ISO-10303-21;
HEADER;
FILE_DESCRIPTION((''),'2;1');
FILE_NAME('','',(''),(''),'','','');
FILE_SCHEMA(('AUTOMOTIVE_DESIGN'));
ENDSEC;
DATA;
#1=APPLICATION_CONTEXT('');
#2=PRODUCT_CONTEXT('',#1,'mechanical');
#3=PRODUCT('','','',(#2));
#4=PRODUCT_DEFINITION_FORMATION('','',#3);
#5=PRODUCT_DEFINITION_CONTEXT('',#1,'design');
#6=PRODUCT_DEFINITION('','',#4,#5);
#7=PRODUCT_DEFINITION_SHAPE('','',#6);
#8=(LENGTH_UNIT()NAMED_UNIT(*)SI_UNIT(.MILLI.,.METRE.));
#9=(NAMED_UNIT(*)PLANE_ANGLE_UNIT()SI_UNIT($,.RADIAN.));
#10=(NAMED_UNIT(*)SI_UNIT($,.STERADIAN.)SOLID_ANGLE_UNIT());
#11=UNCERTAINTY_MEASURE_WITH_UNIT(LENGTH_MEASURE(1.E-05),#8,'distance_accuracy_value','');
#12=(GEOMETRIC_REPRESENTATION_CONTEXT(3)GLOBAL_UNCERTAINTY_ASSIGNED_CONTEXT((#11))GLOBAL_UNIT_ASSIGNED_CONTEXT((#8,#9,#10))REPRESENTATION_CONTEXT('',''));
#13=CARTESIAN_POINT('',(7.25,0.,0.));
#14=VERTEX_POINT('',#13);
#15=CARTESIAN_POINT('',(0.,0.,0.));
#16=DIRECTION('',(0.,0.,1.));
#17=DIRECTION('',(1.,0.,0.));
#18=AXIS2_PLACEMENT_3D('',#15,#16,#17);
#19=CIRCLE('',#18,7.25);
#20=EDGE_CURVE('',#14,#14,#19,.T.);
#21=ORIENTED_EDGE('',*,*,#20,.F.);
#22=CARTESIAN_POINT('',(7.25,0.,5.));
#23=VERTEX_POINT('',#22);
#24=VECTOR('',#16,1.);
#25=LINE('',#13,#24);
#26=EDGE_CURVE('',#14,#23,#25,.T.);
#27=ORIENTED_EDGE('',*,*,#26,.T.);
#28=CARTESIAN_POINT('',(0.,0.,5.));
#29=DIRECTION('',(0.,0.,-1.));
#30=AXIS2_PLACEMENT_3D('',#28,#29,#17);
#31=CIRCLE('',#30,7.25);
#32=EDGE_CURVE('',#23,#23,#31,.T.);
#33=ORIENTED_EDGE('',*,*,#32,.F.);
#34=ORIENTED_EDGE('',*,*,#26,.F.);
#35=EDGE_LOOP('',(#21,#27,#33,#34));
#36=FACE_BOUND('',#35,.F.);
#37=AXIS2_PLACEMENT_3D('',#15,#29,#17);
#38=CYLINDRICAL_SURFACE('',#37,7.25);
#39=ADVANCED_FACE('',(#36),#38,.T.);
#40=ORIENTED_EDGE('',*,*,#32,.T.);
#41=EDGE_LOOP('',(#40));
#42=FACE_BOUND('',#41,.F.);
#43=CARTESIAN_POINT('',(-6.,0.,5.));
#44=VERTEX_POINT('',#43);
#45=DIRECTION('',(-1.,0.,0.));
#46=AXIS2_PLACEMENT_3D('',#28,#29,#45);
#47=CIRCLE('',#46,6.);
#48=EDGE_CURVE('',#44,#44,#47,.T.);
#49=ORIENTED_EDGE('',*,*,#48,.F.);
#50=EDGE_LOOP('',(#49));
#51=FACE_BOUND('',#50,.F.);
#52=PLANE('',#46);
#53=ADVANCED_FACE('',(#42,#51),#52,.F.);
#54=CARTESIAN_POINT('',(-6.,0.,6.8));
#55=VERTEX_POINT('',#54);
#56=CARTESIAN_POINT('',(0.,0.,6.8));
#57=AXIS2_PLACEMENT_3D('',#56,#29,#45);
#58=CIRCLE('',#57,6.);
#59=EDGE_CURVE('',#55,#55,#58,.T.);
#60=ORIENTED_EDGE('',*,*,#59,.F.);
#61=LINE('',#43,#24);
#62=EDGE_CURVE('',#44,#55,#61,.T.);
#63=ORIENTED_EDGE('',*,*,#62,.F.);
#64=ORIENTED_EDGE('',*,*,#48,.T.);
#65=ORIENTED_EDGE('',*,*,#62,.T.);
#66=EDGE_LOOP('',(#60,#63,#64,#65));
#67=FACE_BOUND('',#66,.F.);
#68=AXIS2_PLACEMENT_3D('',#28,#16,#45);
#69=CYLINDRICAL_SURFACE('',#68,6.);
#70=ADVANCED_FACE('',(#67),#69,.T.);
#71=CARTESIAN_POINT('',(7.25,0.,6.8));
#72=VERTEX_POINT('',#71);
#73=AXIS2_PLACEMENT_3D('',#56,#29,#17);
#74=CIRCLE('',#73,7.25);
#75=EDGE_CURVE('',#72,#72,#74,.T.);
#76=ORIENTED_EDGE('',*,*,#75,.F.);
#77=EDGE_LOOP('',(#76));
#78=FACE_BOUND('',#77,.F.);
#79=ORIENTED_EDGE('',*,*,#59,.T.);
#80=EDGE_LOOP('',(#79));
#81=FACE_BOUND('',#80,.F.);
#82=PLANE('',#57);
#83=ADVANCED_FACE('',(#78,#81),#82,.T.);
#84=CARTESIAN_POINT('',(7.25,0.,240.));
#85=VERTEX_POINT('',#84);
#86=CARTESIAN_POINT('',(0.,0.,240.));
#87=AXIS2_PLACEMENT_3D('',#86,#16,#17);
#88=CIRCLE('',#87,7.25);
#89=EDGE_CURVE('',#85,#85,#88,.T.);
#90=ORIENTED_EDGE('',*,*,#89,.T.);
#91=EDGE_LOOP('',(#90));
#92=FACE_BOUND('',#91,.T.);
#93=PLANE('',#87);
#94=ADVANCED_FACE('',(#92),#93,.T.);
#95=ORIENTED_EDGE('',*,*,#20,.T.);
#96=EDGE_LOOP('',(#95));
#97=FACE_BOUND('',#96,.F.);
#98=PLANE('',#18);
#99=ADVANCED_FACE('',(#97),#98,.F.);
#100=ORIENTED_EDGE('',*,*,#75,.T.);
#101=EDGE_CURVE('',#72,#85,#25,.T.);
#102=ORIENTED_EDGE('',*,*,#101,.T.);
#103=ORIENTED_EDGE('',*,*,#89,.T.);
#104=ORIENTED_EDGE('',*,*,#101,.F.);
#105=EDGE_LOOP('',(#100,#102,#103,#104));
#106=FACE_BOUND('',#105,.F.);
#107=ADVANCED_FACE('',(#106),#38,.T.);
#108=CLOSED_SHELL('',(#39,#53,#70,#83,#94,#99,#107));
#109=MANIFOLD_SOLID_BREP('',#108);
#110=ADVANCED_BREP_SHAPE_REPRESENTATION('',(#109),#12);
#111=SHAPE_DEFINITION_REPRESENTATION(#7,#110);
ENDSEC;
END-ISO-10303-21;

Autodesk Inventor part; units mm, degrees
ref_plane "YZ Plane" through (0, 0, 0) normal (1, 0, 0) x (0, 1, 0)
ref_plane "XZ Plane" through (0, 0, 0) normal (0, 1, 0) x (-1, 0, 0)
ref_plane "XY Plane" through (0, 0, 0) normal (0, 0, 1) x (1, 0, 0)
sketch "Sketch1" plane through (0, 0, 0) normal (0, 0, 1) x (1, 0, 0)
  circle A0 centre (0, 0) radius 7.25
  dimension "d0" = 14.5
extrude "Extrusion1" add sketch "Sketch1" along normal blind 240
sketch "Sketch2" plane through (0, 0, 0) normal (0, 1, 0) x (-1, 0, 0)
  line L0 (7.25, 0) -> (7.25, 240) projected
  line L1 (7.25, 5) -> (6, 5)
  line L2 (6, 5) -> (6, 6.8)
  line L3 (6, 6.8) -> (7.25, 6.8)
  line L4 (7.25, 6.8) -> (7.25, 5)
  line L5 (7.25, 0) -> (-7.25, 0) projected
  line L6 (0, 0) -> (0, -34.9846) construction
  dimension "d4" = 1.8
  dimension "d5" = 5
  dimension "d7" = 6
  dimension "d8" = 1.25
revolve "Revolution1" cut sketch "Sketch2" angle 360 about axis through (0, 0, 0) along (0, 0, -1)
properties part number "Eixo do Motor Industrial" material "Steel, Cast"
